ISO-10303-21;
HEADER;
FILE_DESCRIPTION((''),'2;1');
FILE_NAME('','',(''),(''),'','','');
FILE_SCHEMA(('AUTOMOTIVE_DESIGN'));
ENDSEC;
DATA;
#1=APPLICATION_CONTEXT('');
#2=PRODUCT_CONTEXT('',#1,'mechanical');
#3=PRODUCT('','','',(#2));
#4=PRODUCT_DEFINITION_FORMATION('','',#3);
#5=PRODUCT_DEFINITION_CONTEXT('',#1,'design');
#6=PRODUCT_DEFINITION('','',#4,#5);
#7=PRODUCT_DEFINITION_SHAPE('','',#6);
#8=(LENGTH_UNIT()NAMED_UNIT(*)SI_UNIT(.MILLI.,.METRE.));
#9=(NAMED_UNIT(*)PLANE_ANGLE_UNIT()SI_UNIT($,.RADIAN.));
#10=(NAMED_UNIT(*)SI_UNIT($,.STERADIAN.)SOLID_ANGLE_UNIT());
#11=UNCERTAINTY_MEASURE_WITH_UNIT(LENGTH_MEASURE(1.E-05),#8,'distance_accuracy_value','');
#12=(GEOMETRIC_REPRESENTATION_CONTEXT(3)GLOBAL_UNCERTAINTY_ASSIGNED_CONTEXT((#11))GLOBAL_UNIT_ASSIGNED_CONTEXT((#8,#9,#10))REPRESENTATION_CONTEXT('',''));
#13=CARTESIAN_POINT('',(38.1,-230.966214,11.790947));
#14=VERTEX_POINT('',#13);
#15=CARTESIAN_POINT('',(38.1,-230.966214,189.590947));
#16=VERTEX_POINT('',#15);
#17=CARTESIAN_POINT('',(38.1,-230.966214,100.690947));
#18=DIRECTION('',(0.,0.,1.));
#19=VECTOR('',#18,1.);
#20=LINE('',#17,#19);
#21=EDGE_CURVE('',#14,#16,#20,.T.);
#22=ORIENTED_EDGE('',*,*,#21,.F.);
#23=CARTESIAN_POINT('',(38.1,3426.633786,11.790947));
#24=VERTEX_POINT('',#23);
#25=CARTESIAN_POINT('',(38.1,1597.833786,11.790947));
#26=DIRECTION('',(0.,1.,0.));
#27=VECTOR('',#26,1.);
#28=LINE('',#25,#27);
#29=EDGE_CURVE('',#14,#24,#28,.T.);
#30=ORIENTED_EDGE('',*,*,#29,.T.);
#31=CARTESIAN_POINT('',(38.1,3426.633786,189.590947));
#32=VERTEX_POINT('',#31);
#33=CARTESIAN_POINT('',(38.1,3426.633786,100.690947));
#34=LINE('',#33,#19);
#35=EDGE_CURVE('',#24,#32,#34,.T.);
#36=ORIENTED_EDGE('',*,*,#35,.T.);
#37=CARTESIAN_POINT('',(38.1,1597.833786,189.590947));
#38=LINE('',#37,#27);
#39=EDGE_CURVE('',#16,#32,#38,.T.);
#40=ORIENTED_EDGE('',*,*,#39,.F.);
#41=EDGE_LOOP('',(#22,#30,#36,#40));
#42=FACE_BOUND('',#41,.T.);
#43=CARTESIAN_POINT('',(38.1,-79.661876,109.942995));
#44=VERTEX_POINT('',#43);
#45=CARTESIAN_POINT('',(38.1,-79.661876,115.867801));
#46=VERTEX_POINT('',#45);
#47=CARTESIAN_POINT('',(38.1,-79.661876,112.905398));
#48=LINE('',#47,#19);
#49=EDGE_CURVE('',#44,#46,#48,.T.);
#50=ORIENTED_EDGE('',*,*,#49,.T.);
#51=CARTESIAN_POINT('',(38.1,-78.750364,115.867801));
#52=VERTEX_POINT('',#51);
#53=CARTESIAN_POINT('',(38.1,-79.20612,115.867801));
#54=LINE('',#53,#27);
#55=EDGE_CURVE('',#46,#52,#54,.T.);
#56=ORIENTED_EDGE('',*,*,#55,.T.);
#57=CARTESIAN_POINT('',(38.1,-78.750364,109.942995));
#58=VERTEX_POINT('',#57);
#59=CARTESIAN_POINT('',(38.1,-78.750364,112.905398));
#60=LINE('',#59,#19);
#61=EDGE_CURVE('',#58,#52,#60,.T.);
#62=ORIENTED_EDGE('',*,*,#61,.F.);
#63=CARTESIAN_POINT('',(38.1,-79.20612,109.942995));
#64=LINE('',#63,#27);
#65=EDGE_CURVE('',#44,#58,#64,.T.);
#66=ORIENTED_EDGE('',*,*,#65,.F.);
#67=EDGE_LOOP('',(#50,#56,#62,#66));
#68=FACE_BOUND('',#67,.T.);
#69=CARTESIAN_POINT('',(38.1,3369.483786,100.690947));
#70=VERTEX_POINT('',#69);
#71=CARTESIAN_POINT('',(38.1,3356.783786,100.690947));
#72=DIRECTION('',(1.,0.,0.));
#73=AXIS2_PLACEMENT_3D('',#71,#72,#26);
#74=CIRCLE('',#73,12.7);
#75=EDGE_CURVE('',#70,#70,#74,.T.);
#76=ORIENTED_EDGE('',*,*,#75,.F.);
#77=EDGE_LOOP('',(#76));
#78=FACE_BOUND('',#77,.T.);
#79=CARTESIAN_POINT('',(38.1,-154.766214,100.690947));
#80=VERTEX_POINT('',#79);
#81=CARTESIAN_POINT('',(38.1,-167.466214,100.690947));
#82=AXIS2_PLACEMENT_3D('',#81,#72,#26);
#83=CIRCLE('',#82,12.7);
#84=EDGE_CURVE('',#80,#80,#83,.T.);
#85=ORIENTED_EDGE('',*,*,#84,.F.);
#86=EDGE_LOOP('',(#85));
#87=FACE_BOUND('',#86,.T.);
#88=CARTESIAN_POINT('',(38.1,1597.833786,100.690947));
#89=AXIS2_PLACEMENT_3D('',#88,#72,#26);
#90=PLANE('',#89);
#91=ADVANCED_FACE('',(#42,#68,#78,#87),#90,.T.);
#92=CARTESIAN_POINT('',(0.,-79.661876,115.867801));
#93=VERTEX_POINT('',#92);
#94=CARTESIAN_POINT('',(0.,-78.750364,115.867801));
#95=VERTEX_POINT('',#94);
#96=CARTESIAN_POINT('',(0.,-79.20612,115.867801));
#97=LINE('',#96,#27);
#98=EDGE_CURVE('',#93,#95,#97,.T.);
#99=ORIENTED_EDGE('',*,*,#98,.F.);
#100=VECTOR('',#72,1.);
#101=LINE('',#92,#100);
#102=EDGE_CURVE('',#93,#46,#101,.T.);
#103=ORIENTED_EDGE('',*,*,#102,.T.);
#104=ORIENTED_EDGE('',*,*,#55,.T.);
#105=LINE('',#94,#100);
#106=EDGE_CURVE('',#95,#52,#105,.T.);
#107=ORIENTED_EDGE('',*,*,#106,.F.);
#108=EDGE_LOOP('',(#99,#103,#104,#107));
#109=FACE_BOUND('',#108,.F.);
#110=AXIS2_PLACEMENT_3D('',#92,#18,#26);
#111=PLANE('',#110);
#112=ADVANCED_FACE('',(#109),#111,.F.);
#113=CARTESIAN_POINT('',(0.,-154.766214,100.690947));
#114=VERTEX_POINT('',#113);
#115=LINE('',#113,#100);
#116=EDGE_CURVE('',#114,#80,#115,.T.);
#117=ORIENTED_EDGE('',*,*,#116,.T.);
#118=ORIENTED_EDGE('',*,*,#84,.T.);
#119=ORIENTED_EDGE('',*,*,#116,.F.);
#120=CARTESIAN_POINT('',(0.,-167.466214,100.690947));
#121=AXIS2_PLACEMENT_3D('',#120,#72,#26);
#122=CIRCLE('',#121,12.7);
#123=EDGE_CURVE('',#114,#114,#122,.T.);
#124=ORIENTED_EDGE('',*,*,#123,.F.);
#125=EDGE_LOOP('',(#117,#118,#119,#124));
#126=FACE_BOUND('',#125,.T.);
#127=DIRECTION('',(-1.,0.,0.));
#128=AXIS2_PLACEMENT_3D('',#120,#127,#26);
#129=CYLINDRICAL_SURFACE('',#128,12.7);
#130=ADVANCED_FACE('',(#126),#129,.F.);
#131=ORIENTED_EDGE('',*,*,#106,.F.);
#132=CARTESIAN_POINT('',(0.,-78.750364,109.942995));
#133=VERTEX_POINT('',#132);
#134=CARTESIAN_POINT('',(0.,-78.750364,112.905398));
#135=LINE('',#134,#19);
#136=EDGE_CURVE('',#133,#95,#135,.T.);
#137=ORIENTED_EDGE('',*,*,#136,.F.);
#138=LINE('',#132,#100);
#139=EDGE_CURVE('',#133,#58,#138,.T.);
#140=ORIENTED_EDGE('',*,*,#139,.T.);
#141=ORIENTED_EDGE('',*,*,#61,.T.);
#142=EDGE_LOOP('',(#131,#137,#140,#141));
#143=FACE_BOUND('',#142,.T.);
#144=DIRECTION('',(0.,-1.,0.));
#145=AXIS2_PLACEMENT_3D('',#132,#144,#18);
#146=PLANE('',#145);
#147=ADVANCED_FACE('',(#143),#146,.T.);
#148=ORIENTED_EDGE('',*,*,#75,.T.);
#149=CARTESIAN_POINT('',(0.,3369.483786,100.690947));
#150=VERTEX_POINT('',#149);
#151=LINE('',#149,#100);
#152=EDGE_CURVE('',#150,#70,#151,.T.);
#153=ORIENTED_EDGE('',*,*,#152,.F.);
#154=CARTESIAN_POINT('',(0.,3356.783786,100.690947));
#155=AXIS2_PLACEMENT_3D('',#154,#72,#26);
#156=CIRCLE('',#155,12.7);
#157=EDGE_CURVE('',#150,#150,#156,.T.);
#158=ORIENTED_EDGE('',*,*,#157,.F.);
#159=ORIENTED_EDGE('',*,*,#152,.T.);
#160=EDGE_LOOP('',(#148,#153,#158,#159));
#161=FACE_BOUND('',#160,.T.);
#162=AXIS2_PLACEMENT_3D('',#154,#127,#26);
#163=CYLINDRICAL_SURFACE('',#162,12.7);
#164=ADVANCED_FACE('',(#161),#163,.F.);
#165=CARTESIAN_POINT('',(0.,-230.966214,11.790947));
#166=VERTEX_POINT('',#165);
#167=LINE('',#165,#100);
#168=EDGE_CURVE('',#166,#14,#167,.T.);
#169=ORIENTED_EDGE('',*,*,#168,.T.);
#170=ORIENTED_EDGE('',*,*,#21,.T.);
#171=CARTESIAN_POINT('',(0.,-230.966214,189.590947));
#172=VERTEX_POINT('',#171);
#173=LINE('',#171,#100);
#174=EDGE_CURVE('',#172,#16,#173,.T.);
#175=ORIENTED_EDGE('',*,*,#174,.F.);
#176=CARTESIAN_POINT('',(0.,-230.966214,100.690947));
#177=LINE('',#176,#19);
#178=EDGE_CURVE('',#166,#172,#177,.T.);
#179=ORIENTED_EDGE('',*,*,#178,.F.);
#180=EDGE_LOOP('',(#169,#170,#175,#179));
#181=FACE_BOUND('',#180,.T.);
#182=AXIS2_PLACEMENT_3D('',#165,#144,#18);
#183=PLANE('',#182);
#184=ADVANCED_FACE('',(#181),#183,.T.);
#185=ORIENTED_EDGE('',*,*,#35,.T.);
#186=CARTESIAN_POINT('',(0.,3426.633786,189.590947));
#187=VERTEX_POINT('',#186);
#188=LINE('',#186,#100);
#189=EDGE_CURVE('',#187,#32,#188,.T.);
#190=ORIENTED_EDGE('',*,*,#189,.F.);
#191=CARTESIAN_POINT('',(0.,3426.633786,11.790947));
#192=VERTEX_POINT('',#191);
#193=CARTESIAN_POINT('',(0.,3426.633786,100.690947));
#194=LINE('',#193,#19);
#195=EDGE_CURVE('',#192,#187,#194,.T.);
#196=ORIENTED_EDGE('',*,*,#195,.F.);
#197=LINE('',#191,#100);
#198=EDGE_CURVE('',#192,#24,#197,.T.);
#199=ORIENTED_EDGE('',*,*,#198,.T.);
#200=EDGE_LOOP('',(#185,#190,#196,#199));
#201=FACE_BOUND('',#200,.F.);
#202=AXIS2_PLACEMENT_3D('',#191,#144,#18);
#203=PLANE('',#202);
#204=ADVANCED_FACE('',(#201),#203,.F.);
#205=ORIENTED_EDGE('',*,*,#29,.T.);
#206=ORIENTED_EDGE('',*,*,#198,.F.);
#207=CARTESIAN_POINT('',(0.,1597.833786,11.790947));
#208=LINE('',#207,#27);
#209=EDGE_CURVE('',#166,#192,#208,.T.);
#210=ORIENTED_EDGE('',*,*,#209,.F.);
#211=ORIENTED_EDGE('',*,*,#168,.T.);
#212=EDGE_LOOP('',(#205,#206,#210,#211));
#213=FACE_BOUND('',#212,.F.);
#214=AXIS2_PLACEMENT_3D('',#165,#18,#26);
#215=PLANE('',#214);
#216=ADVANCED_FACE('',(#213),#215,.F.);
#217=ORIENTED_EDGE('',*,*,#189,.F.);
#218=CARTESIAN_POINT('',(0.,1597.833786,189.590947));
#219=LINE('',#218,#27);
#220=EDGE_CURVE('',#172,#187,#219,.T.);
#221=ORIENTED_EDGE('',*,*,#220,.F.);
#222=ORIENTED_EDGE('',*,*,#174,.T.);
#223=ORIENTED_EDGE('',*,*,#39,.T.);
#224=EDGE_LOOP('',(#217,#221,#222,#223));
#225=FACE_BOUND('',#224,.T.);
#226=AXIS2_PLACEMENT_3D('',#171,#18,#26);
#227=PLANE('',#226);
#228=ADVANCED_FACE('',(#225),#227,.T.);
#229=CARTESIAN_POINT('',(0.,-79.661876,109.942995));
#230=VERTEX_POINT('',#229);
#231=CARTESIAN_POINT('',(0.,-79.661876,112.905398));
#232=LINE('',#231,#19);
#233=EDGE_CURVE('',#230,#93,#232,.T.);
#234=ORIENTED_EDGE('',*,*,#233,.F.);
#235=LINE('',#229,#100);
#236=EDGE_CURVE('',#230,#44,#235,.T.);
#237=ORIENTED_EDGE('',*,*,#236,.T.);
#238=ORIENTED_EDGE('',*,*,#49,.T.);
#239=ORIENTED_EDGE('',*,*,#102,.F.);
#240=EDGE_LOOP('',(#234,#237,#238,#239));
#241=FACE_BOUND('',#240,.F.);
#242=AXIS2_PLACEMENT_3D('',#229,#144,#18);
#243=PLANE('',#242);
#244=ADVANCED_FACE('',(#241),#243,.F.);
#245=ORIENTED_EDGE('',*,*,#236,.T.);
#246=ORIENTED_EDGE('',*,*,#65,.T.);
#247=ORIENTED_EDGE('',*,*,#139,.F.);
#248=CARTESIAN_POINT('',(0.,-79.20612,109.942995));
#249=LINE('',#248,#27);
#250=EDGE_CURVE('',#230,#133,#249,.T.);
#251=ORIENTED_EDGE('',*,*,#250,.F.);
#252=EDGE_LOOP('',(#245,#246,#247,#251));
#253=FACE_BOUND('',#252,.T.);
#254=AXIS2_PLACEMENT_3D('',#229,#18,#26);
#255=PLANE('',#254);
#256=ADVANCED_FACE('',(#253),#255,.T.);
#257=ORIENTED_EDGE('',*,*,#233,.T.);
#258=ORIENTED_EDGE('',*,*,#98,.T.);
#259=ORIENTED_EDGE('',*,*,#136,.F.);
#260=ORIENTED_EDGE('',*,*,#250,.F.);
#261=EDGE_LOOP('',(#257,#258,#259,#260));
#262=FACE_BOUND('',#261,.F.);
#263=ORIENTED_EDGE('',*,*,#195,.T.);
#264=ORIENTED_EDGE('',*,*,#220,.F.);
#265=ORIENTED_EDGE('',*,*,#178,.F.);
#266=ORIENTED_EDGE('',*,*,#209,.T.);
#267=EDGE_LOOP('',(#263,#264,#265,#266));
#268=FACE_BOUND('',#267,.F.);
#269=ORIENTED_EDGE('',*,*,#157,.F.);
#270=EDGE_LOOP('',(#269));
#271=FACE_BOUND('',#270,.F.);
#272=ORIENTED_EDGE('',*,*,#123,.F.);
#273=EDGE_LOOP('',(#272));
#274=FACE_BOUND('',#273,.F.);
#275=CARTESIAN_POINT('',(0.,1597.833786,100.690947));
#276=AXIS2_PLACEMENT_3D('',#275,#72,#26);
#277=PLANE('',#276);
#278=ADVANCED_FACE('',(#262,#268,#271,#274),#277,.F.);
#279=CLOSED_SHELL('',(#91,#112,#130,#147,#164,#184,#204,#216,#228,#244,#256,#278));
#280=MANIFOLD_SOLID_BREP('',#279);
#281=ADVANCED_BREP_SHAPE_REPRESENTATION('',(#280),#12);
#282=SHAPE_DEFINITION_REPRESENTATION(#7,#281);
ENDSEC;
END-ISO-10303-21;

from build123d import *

# Parameters (mm, degrees)
F0_W     = 3657.6
F0_H     = 177.8
F0_R     = 12.7
F0_W_2   = 0.911512
F0_H_2   = 5.924806
F1_DEPTH = 38.1


with BuildPart() as f1:
    # F0 (on Right) → F1 (new body)
    with BuildSketch(Plane.YZ):
        with Locations((1597.833786, 100.690947)):
            Rectangle(F0_W, F0_H)
        with Locations((-167.466214, 100.690947)):
            Circle(F0_R, mode=Mode.SUBTRACT)
        with Locations((-79.20612, 112.905398)):
            Rectangle(F0_W_2, F0_H_2, mode=Mode.SUBTRACT)
        with Locations((3356.783786, 100.690947)):
            Circle(F0_R, mode=Mode.SUBTRACT)
    extrude(amount=F1_DEPTH)


solid = f1.part
